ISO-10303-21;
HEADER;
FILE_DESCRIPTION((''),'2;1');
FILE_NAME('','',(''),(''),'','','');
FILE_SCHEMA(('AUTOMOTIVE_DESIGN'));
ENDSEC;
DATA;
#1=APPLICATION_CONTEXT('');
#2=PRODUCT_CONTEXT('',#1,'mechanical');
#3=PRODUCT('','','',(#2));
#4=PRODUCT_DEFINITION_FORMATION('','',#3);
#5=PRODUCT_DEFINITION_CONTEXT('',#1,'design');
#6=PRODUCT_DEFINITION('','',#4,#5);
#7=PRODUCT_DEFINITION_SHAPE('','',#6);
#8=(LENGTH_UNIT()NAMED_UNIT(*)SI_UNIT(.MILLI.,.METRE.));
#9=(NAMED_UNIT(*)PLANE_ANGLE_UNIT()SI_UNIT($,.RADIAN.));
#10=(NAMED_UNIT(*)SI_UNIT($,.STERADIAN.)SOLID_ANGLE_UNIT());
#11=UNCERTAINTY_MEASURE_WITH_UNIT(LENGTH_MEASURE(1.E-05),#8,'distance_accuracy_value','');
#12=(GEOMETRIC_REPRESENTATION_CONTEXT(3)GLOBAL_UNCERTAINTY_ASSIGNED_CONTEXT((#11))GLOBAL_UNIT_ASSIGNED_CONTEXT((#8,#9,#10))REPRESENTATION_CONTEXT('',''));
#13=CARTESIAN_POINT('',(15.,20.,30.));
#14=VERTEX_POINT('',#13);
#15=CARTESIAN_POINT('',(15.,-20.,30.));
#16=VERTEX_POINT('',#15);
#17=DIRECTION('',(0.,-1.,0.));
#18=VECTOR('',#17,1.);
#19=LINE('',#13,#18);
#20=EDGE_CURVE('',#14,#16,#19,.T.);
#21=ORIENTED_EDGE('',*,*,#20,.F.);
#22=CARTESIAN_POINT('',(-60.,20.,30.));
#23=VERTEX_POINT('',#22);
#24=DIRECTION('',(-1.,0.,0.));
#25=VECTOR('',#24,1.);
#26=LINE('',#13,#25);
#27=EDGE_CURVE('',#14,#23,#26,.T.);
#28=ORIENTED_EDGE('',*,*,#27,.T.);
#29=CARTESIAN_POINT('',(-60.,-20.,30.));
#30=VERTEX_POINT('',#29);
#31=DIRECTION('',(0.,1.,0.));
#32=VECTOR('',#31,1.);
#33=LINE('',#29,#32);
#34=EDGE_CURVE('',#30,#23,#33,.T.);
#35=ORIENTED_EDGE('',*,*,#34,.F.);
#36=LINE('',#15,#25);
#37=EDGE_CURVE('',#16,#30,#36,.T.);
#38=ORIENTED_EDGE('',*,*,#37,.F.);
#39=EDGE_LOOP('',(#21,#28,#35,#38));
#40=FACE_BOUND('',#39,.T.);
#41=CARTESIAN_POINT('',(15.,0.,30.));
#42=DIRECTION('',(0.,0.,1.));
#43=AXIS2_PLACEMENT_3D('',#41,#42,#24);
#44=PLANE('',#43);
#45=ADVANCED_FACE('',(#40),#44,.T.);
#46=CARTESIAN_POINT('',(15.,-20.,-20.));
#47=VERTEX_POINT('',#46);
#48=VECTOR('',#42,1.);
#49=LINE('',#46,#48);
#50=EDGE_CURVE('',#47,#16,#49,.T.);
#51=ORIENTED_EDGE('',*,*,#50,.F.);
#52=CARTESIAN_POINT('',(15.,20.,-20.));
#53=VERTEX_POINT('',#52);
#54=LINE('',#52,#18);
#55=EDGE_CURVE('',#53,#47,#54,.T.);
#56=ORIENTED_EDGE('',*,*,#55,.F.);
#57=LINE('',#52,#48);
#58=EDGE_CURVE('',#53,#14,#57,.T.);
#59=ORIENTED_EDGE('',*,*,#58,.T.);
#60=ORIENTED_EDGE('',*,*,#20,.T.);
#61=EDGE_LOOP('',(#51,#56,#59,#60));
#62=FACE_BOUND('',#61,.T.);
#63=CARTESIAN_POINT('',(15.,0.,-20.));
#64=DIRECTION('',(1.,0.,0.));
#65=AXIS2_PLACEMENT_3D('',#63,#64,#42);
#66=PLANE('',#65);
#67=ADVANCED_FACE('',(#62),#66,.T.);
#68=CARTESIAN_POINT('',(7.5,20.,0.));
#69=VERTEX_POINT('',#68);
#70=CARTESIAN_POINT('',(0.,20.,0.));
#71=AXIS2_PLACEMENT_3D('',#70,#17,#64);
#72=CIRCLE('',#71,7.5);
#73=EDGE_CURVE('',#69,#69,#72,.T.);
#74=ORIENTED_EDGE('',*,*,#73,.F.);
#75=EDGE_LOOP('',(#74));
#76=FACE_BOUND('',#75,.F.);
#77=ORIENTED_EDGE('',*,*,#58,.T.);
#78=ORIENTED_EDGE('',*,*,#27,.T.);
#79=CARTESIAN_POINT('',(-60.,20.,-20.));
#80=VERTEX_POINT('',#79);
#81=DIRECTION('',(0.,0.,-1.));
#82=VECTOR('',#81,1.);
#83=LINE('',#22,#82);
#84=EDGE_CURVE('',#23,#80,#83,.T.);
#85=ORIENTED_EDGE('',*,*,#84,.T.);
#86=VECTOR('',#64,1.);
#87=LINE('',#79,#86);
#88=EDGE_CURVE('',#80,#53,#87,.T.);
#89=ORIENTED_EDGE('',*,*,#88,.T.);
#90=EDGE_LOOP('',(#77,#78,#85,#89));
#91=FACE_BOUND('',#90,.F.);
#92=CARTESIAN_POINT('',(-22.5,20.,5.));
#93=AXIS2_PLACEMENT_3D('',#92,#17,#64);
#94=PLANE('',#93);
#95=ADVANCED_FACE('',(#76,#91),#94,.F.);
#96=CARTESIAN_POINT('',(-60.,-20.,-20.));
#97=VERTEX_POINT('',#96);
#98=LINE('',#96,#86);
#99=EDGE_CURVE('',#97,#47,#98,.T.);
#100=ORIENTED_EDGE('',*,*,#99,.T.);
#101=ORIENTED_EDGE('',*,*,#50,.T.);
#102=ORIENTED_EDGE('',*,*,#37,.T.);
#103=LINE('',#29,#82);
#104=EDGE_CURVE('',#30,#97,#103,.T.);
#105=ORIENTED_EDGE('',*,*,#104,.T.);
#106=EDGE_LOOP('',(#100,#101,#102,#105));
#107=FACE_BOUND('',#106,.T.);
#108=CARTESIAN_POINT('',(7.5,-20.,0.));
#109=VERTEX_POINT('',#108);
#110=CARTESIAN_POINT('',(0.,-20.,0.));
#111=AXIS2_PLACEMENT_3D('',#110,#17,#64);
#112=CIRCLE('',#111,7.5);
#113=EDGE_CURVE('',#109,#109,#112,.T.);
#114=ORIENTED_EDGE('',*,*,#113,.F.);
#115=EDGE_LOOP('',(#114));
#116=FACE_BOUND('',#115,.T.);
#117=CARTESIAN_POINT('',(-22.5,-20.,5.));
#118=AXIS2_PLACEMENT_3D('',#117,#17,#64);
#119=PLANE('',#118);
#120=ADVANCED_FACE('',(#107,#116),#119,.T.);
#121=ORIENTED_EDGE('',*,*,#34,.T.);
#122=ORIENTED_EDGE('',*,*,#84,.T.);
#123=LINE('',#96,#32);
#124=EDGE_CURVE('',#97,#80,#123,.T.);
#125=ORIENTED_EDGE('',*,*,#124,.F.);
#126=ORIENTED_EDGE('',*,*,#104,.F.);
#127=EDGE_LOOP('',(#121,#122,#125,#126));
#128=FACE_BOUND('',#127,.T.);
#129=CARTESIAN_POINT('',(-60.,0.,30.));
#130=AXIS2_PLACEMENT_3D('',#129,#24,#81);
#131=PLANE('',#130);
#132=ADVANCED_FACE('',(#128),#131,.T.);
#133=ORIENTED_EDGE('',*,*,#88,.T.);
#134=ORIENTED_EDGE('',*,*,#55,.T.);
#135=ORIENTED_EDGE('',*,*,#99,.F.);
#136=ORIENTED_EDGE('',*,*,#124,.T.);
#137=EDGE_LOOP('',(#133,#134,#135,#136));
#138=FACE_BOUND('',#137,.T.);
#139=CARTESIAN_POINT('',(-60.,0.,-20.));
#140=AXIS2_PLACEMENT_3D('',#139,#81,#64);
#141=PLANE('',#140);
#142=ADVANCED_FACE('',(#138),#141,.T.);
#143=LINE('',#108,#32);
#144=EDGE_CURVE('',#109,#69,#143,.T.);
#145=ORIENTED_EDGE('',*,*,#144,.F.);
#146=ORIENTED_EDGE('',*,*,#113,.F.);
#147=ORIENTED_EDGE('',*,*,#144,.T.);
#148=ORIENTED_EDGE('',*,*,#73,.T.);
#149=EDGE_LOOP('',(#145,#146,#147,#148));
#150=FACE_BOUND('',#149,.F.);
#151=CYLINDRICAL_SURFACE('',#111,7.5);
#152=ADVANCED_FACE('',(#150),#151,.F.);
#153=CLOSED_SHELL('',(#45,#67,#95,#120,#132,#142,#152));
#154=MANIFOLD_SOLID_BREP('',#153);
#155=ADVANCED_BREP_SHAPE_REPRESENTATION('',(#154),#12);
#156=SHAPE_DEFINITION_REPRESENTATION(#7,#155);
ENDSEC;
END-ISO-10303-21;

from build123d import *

# Parameters (mm, degrees)
F1_DEPTH = 20
F2_R     = 7.5
F3_DEPTH = 40


with BuildPart() as f1:
    # F0 (on Front) → F1 (new body, symmetric)
    with BuildSketch(Plane.XZ):
        Polygon((-60, -20), (0, -20), (15, -20), (15, 0), (15, 30), (-60, 30), align=None)
    extrude(amount=F1_DEPTH, both=True)

    # F2 (on face) → F3 (cut, through all)
    with BuildSketch(Plane.XZ.offset(20)):
        Circle(F2_R)
    extrude(amount=-F3_DEPTH, mode=Mode.SUBTRACT)


solid = f1.part
